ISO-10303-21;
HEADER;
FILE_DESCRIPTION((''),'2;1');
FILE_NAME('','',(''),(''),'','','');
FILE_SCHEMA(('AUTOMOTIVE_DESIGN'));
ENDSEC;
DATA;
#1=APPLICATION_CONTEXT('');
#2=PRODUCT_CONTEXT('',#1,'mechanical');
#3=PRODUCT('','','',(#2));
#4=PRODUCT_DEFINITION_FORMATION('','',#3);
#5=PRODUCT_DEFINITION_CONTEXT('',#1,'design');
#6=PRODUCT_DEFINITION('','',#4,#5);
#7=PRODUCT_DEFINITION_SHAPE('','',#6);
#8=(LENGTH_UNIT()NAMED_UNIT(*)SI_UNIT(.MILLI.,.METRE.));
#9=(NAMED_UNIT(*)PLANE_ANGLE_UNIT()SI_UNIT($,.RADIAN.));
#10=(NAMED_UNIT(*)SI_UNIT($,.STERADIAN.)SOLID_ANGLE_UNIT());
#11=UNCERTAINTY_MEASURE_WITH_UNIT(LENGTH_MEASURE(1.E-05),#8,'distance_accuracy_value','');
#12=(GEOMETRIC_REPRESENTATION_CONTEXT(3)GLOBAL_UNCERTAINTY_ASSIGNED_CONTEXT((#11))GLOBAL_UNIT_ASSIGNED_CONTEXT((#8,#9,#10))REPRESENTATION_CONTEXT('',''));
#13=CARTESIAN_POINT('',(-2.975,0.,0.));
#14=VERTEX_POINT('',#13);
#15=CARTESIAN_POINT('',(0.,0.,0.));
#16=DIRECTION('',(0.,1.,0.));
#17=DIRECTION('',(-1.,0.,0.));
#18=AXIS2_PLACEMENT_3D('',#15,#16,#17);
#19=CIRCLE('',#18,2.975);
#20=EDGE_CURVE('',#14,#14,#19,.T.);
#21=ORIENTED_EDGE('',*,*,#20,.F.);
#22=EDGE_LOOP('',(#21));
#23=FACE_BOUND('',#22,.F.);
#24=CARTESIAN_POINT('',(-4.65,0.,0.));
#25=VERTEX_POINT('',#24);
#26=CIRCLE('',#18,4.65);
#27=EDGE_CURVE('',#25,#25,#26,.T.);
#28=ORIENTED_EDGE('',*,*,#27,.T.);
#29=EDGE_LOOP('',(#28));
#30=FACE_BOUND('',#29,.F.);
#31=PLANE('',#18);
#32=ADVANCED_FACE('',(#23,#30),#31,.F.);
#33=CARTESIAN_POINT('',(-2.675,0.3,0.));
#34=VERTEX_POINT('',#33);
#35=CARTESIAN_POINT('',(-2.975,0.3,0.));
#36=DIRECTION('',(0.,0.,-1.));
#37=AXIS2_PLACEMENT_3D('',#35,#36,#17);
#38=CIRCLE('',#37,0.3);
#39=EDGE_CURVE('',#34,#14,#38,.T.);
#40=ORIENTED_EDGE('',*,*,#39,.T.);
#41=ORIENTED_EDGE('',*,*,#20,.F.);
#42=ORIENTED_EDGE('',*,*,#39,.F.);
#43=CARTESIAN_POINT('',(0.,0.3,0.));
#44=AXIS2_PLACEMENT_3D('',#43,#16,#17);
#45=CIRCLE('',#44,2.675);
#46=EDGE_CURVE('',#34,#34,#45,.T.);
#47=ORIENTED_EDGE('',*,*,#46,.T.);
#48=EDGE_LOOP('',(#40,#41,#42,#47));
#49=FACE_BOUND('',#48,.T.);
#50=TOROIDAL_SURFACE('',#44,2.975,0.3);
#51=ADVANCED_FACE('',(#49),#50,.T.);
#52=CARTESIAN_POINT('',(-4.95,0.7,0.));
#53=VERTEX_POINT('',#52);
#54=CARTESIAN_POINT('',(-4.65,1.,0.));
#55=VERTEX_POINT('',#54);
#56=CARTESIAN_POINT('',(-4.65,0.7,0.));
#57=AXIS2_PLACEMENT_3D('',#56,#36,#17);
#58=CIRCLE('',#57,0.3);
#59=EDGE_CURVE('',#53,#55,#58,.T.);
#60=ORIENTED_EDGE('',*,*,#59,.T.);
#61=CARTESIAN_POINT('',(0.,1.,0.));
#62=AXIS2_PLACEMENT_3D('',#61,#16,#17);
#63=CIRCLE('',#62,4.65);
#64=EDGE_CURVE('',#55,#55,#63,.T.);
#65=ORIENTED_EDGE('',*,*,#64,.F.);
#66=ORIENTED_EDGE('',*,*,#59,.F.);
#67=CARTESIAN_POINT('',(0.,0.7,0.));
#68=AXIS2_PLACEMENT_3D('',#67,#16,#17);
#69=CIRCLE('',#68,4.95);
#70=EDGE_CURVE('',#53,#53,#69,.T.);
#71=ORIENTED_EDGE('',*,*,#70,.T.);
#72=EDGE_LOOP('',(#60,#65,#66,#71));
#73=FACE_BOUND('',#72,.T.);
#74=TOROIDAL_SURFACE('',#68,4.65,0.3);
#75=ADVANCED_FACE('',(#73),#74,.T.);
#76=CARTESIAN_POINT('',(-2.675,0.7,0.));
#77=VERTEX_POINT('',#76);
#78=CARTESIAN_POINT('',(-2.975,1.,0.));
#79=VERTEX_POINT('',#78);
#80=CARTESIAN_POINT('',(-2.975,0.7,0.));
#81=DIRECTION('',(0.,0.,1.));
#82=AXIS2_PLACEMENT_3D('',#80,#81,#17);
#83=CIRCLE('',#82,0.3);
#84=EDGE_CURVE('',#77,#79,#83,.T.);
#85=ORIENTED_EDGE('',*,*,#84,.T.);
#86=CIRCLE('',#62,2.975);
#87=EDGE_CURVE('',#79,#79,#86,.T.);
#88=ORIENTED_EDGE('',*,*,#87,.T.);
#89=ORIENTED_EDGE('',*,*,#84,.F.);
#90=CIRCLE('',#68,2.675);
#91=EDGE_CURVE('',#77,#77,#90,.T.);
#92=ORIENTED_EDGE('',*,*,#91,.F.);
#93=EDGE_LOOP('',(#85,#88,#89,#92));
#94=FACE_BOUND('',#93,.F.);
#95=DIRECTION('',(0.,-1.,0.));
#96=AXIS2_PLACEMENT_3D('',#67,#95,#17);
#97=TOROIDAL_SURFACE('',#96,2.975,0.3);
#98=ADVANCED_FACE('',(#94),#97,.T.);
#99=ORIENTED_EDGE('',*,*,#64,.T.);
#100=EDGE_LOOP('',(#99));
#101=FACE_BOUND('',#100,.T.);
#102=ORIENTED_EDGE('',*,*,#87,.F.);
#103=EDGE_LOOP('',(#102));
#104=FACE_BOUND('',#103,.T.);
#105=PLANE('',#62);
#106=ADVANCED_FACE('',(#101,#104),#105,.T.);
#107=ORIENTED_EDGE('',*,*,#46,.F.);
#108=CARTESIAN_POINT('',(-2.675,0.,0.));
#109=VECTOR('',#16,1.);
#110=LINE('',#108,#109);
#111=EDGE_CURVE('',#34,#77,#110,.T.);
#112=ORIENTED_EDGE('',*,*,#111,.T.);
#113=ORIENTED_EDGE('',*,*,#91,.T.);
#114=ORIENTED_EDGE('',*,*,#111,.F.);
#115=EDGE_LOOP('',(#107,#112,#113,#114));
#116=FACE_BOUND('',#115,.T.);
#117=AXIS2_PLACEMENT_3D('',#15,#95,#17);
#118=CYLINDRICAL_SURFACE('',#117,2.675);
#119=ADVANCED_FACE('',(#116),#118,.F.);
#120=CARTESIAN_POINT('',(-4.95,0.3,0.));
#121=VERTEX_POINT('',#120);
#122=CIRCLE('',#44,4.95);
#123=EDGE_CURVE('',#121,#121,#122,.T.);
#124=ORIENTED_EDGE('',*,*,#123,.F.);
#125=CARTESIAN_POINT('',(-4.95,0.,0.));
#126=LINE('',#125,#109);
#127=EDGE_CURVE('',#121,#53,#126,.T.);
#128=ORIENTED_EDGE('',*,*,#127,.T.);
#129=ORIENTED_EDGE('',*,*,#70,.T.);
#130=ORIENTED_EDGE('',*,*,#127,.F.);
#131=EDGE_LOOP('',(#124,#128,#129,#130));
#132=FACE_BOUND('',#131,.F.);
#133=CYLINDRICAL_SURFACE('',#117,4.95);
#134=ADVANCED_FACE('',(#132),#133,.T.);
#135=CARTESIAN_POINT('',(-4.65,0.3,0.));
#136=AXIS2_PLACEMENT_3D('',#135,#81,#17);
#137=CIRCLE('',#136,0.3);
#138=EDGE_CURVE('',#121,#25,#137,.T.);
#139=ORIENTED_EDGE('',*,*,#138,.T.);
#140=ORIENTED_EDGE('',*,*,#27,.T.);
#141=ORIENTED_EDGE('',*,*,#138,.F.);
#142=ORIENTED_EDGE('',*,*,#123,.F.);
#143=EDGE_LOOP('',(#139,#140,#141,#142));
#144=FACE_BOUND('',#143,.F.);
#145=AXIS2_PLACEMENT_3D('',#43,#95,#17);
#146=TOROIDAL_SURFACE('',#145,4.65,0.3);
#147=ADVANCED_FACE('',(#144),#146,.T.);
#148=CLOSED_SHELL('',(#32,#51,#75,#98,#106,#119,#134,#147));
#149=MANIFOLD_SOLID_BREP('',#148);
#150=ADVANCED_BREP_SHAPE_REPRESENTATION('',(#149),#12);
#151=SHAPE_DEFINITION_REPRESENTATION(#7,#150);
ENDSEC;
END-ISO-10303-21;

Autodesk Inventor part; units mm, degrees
ref_plane "YZ Plane" through (0, 0, 0) normal (1, 0, 0) x (0, 1, 0)
ref_plane "XZ Plane" through (0, 0, 0) normal (0, 1, 0) x (-1, 0, 0)
ref_plane "XY Plane" through (0, 0, 0) normal (0, 0, 1) x (1, 0, 0)
sketch "Sketch1" plane through (0, 0, 0) normal (0, 1, 0) x (-1, 0, 0)
  circle A0 centre (0, 0) radius 2.675
  circle A1 centre (0, 0) radius 4.95
  dimension "d0" = 5.35
  dimension "d1" = 9.9
extrude "Extrusion1" add sketch "Sketch1" along normal blind 1
fillet "Fillet1" radius 0.3 4 edges at (4.95, 1, 0) (2.675, 1, 0) (4.95, 0, 0) (2.675, 0, 0)
properties part number "M5 Silver Flat Washer"
